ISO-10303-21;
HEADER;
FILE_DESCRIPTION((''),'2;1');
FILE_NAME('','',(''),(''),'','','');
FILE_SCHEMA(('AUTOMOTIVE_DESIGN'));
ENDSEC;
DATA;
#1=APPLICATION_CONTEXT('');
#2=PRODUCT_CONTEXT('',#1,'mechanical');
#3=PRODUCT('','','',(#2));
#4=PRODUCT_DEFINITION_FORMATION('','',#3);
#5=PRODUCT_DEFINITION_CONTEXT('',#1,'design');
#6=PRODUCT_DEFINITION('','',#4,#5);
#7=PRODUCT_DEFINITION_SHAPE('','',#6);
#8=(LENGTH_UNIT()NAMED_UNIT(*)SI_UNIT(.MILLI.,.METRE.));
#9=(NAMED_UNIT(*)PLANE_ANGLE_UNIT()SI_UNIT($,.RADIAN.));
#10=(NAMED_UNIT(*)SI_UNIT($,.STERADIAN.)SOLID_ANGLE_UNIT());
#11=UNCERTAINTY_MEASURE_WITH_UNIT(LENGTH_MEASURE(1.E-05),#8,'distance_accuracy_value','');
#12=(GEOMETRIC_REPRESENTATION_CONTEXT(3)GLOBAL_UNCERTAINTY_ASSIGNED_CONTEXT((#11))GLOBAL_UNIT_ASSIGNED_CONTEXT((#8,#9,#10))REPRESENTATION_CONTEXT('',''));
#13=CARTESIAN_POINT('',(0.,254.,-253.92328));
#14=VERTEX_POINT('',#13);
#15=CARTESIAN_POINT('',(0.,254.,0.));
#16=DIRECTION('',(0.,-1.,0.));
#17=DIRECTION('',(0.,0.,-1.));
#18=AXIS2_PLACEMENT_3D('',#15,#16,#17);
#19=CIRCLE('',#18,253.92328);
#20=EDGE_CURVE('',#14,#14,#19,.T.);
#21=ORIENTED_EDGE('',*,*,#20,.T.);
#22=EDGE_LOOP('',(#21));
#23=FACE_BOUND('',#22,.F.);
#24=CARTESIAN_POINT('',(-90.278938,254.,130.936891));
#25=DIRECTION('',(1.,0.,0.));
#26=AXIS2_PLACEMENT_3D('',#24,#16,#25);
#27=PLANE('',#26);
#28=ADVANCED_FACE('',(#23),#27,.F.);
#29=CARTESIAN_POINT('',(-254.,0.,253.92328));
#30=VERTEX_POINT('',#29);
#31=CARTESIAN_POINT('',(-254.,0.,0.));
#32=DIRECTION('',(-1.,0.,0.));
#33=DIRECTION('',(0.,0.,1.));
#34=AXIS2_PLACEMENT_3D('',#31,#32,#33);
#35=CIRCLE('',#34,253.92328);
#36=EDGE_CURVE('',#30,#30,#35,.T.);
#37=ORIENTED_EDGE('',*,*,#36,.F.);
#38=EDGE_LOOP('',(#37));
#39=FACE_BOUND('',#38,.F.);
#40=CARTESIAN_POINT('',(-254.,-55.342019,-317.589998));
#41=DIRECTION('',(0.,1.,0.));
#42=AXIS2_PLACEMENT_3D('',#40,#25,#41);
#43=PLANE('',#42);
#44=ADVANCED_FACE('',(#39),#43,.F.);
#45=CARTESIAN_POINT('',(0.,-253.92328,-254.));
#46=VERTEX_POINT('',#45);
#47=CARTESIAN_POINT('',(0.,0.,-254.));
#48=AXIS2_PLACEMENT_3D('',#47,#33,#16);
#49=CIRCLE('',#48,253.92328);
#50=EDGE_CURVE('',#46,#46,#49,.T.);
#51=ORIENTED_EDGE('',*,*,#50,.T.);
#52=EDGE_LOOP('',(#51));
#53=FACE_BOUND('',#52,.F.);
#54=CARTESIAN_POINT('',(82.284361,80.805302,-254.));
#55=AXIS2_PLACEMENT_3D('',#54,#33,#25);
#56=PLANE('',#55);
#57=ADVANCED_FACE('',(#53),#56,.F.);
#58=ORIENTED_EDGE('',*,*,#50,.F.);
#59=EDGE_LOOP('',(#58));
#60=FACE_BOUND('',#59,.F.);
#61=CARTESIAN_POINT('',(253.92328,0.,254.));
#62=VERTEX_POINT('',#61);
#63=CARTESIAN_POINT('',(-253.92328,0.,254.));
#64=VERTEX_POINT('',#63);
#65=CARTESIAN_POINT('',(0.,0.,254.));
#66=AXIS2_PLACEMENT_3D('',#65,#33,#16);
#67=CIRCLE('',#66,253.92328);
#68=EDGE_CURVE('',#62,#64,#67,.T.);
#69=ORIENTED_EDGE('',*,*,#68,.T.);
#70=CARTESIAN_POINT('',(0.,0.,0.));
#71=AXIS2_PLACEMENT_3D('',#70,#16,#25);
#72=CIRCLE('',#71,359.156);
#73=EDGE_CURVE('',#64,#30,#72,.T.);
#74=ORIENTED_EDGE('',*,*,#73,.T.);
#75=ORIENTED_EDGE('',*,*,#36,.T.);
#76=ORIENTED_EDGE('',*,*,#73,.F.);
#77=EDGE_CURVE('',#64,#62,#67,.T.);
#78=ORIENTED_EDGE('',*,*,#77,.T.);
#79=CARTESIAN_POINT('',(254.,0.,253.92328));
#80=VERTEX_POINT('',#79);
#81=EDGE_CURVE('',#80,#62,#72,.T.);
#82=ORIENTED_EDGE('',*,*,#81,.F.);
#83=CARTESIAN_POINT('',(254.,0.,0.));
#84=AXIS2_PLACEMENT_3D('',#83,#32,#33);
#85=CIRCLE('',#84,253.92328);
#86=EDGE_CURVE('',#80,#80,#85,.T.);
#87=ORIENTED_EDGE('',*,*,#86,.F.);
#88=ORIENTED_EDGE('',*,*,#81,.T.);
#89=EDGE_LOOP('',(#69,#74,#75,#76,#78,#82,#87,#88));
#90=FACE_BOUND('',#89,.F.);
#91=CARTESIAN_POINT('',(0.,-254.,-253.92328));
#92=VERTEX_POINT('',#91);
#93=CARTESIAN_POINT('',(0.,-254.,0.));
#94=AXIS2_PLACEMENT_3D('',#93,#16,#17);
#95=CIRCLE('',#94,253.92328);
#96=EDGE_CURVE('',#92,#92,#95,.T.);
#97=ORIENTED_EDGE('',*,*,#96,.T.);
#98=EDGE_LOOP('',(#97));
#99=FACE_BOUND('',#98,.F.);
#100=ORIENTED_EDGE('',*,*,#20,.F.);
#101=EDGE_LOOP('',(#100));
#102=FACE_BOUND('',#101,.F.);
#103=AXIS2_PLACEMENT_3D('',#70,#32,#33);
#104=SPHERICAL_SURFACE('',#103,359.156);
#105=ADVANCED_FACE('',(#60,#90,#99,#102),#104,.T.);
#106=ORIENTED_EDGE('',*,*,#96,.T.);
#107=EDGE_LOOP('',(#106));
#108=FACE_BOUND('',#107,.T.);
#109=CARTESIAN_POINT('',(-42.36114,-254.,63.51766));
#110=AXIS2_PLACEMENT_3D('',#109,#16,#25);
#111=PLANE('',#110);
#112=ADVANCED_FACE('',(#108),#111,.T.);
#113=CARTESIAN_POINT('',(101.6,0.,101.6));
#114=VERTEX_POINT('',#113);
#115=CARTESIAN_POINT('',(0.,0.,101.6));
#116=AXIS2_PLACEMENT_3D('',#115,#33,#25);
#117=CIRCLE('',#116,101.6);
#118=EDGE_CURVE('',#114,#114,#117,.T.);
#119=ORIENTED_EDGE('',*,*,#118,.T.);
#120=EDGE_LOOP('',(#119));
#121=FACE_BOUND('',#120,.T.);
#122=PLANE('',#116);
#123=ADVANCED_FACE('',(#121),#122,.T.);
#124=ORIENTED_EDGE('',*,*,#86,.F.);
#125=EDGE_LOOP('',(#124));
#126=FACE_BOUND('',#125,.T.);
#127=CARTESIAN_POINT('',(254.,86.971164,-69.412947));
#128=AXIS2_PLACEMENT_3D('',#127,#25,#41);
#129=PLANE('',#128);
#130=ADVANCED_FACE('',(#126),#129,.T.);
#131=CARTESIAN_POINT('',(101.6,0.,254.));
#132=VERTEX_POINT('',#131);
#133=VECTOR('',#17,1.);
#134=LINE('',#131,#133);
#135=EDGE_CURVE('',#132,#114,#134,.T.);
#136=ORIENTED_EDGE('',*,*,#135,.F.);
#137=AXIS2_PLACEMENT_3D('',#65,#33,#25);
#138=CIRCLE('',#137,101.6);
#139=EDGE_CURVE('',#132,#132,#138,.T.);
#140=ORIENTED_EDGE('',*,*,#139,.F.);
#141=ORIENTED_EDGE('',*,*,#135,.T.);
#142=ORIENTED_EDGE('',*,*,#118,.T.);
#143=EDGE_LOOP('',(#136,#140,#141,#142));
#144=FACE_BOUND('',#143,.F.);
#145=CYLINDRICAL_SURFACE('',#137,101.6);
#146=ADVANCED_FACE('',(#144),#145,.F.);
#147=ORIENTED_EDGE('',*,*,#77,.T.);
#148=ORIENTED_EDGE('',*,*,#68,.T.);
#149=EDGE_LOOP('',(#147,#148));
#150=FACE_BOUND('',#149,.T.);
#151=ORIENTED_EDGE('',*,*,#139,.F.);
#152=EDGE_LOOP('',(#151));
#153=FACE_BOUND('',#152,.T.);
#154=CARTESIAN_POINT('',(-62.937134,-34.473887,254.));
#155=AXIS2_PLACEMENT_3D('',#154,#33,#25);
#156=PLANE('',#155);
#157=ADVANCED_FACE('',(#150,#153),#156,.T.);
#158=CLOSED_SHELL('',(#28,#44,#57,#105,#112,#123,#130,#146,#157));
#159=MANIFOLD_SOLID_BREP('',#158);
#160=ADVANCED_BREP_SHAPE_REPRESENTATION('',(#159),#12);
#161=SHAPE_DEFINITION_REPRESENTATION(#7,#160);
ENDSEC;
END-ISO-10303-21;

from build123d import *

# Parameters (mm, degrees)
F3_W      = 890.734077
F3_H      = 1319.233716
F4_DEPTH  = 254
F6_W      = 1012.359947
F6_H      = 1290.58224
F7_DEPTH  = 254
F10_DEPTH = 254
F12_W     = 1270.54733
F12_H     = 1196.680188
F13_DEPTH = 254
F15_W     = 950.985431
F15_H     = 1887.960911
F16_DEPTH = 254
F19_DEPTH = 254
F20_R     = 101.6
F21_DEPTH = 152.4


with BuildPart() as f1:
    # F0 (on Front) → F1 (revolve)
    with BuildSketch(Plane.XZ):
        with BuildLine():
            Line((-359.156, 0), (0, 0))
            Line((0, 0), (359.156, 0))
            ThreePointArc((359.156, 0), (0, 359.156), (-359.156, 0))
        make_face()
    revolve(axis=Axis((179.578, 0, 0), (1, 0, 0)))

    # F3 (on offset) → F4 (cut)
    with BuildSketch(Plane.XZ.offset(254)):
        with Locations((-42.36114, 63.51766)):
            Rectangle(F3_W, F3_H)
    extrude(amount=F4_DEPTH, mode=Mode.SUBTRACT)

    # F6 (on offset) → F7 (cut)
    with BuildSketch(Plane.XZ.offset(-254)):
        with Locations((-90.278938, 130.936891)):
            Rectangle(F6_W, F6_H)
    extrude(amount=-F7_DEPTH, mode=Mode.SUBTRACT)

    # F9 (on offset) → F10 (cut)
    with BuildSketch(Plane.XY.offset(254)):
        Polygon((-582.261324, -515.396833), (446.441472, -515.396833), (446.441472, -508.58891), (456.421018, -508.58891), (456.421018, 446.415097), (-582.261324, 446.415097), align=None)
    extrude(amount=F10_DEPTH, mode=Mode.SUBTRACT)

    # F12 (on offset) → F13 (cut)
    with BuildSketch(Plane.XY.offset(-254)):
        with Locations((82.284361, 80.805302)):
            Rectangle(F12_W, F12_H)
    extrude(amount=-F13_DEPTH, mode=Mode.SUBTRACT)

    # F15 (on offset) → F16 (cut)
    with BuildSketch(Plane.YZ.offset(-254)):
        with Locations((-55.342019, -317.589998)):
            Rectangle(F15_W, F15_H)
    extrude(amount=-F16_DEPTH, mode=Mode.SUBTRACT)

    # F18 (on offset) → F19 (cut)
    with BuildSketch(Plane.YZ.offset(254)):
        Polygon((-462.633133, 1110.26144), (-462.633133, 1077.45111), (-462.633133, -1249.087334), (636.57546, -1249.087334), (636.57546, 1110.26144), align=None)
    extrude(amount=F19_DEPTH, mode=Mode.SUBTRACT)

    # F20 (on face) → F21 (cut)
    with BuildSketch(Plane.XY.offset(254)):
        Circle(F20_R)
    extrude(amount=-F21_DEPTH, mode=Mode.SUBTRACT)


solid = f1.part
